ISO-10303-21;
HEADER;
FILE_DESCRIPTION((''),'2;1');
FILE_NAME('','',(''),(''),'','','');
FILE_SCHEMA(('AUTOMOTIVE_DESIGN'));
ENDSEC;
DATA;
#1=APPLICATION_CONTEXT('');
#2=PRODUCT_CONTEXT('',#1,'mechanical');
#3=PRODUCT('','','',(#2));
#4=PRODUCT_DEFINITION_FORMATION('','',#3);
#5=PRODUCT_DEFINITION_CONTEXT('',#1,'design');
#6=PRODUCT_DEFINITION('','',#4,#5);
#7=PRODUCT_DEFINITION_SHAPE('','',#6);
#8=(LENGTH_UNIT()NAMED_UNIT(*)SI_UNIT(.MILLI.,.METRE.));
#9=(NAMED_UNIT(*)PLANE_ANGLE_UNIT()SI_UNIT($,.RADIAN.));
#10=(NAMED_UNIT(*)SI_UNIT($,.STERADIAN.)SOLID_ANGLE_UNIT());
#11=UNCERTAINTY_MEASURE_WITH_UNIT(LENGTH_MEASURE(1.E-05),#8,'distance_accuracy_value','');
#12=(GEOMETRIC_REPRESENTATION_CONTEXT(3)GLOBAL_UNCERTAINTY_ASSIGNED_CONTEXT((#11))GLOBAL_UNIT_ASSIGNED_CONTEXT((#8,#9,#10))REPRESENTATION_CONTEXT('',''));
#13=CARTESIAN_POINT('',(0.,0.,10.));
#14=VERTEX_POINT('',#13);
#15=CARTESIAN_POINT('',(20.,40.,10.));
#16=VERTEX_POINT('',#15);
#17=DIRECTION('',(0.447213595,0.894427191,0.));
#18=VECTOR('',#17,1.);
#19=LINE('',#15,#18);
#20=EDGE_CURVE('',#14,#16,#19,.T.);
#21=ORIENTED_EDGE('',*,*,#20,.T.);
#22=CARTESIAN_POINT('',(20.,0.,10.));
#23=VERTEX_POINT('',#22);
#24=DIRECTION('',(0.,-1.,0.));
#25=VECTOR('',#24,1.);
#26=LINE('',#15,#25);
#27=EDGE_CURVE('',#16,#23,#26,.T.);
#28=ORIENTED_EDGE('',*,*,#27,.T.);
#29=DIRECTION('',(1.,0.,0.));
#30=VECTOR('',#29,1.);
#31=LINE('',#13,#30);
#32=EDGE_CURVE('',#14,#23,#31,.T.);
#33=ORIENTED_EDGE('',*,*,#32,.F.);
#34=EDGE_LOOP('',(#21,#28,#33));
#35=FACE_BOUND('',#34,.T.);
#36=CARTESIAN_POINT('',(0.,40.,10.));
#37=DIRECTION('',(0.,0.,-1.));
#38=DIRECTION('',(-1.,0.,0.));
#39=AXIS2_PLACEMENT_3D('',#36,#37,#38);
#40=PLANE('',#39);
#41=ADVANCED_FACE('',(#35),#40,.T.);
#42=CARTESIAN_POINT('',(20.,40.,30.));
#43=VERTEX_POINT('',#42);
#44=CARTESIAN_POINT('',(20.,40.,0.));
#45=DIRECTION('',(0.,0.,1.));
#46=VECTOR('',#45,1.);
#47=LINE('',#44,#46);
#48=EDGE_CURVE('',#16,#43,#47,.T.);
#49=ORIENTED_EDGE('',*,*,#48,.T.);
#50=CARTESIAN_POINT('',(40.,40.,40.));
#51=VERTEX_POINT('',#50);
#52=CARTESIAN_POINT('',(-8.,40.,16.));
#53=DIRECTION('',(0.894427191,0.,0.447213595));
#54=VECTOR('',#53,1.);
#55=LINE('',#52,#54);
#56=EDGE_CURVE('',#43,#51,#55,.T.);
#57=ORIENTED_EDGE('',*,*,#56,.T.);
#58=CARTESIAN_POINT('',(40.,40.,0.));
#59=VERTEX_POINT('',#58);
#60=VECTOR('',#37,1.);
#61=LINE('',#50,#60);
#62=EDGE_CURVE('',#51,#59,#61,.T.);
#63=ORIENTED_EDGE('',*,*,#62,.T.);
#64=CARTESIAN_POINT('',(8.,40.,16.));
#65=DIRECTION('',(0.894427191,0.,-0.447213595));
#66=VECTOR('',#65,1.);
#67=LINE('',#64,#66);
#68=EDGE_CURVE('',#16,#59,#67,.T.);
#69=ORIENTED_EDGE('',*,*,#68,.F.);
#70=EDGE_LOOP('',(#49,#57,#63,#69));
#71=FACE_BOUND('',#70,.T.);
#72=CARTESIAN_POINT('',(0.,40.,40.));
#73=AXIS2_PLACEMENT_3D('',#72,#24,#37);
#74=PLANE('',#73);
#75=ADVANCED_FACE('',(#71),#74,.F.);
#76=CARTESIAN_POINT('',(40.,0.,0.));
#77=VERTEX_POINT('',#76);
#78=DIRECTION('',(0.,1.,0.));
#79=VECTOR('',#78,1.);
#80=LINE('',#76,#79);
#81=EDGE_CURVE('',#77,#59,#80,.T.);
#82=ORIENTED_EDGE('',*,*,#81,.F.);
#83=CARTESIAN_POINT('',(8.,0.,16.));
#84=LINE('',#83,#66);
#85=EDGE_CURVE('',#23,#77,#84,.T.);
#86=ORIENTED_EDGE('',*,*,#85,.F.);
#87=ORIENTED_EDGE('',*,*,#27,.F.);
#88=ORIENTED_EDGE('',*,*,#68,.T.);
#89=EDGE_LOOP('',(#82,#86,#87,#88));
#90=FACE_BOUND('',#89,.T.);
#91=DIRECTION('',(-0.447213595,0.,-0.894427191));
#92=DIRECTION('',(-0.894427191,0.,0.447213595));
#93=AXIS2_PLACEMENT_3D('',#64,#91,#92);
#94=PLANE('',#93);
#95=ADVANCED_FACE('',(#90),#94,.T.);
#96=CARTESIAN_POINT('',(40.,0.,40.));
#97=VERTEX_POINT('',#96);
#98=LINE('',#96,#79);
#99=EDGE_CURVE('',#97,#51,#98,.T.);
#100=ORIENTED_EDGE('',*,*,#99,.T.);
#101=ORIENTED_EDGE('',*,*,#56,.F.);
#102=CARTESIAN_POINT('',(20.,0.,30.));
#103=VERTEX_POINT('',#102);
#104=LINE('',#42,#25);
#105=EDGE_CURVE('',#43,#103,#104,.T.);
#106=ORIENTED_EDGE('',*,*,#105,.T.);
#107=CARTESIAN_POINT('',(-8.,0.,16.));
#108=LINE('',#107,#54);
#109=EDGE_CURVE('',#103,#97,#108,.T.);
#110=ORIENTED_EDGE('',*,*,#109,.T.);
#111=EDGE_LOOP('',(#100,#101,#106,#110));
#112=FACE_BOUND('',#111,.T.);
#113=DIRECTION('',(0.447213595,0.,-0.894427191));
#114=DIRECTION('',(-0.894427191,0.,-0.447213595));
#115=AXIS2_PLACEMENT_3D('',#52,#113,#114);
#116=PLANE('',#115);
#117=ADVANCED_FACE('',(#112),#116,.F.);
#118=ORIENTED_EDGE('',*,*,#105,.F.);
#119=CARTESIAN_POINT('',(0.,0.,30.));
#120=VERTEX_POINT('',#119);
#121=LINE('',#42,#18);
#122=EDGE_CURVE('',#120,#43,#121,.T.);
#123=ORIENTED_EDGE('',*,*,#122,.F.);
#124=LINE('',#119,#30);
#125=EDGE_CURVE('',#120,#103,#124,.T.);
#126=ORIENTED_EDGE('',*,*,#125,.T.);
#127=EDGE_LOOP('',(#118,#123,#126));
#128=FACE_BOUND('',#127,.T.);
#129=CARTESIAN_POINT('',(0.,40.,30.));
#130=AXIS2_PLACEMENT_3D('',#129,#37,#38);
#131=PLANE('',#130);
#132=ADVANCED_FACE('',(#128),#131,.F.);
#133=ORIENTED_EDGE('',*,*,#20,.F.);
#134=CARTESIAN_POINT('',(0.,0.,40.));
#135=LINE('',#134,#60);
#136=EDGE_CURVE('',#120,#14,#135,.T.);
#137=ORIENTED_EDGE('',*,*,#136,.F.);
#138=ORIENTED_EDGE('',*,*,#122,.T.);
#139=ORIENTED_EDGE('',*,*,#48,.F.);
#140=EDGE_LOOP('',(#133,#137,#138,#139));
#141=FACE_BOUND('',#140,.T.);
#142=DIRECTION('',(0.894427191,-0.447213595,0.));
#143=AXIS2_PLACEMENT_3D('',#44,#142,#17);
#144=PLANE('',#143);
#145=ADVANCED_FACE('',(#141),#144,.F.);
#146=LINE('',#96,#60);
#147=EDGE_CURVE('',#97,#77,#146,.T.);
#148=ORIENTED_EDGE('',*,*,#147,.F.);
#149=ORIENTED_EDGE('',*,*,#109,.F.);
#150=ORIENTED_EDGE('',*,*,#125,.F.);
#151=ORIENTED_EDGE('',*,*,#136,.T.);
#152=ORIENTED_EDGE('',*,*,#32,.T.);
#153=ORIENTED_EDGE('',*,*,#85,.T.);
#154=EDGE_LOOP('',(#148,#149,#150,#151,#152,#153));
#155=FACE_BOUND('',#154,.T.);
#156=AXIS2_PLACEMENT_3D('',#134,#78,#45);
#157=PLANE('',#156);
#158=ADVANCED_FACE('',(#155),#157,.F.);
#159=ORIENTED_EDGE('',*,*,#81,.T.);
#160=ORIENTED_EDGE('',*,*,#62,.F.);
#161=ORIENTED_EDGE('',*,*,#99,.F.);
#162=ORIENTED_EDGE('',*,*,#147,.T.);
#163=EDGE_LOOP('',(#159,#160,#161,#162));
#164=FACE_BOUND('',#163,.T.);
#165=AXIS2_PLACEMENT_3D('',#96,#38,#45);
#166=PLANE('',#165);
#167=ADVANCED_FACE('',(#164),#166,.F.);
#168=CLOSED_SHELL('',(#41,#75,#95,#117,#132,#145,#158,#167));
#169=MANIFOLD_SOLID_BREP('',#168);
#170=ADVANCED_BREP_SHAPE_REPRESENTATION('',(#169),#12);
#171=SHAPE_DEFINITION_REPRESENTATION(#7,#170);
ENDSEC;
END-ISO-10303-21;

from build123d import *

# Parameters (mm, degrees)
SKETCH1_W           = 40
SKETCH1_H           = 40
BOSS_EXTRUDE1_DEPTH = 40
CUT_EXTRUDE1_DEPTH  = 40
SKETCH3_W           = 20
SKETCH3_H           = 10
CUT_EXTRUDE2_DEPTH  = 40


with BuildPart() as part:
    # Sketch1 → Boss-Extrude1 (new body)
    with BuildSketch(Plane.XY):
        with Locations((20, 20)):
            Rectangle(SKETCH1_W, SKETCH1_H)
    extrude(amount=BOSS_EXTRUDE1_DEPTH)

    # Sketch2 → Cut-Extrude1 (cut)
    with BuildSketch(Plane.XY.offset(40)):
        Polygon((0, 40), (20, 40), (0, 0), align=None)
    extrude(amount=-CUT_EXTRUDE1_DEPTH, mode=Mode.SUBTRACT)

    # Sketch3 → Cut-Extrude2 (cut)
    with BuildSketch(Plane.XZ):
        with Locations((10, 5)):
            Rectangle(SKETCH3_W, SKETCH3_H)
        Polygon((40, 0), (20, 10), (20, 0), align=None)
        with Locations((10, 35)):
            Rectangle(SKETCH3_W, SKETCH3_H)
        Polygon((20, 40), (20, 30), (40, 40), align=None)
    extrude(amount=-CUT_EXTRUDE2_DEPTH, mode=Mode.SUBTRACT)


solid = part.part
